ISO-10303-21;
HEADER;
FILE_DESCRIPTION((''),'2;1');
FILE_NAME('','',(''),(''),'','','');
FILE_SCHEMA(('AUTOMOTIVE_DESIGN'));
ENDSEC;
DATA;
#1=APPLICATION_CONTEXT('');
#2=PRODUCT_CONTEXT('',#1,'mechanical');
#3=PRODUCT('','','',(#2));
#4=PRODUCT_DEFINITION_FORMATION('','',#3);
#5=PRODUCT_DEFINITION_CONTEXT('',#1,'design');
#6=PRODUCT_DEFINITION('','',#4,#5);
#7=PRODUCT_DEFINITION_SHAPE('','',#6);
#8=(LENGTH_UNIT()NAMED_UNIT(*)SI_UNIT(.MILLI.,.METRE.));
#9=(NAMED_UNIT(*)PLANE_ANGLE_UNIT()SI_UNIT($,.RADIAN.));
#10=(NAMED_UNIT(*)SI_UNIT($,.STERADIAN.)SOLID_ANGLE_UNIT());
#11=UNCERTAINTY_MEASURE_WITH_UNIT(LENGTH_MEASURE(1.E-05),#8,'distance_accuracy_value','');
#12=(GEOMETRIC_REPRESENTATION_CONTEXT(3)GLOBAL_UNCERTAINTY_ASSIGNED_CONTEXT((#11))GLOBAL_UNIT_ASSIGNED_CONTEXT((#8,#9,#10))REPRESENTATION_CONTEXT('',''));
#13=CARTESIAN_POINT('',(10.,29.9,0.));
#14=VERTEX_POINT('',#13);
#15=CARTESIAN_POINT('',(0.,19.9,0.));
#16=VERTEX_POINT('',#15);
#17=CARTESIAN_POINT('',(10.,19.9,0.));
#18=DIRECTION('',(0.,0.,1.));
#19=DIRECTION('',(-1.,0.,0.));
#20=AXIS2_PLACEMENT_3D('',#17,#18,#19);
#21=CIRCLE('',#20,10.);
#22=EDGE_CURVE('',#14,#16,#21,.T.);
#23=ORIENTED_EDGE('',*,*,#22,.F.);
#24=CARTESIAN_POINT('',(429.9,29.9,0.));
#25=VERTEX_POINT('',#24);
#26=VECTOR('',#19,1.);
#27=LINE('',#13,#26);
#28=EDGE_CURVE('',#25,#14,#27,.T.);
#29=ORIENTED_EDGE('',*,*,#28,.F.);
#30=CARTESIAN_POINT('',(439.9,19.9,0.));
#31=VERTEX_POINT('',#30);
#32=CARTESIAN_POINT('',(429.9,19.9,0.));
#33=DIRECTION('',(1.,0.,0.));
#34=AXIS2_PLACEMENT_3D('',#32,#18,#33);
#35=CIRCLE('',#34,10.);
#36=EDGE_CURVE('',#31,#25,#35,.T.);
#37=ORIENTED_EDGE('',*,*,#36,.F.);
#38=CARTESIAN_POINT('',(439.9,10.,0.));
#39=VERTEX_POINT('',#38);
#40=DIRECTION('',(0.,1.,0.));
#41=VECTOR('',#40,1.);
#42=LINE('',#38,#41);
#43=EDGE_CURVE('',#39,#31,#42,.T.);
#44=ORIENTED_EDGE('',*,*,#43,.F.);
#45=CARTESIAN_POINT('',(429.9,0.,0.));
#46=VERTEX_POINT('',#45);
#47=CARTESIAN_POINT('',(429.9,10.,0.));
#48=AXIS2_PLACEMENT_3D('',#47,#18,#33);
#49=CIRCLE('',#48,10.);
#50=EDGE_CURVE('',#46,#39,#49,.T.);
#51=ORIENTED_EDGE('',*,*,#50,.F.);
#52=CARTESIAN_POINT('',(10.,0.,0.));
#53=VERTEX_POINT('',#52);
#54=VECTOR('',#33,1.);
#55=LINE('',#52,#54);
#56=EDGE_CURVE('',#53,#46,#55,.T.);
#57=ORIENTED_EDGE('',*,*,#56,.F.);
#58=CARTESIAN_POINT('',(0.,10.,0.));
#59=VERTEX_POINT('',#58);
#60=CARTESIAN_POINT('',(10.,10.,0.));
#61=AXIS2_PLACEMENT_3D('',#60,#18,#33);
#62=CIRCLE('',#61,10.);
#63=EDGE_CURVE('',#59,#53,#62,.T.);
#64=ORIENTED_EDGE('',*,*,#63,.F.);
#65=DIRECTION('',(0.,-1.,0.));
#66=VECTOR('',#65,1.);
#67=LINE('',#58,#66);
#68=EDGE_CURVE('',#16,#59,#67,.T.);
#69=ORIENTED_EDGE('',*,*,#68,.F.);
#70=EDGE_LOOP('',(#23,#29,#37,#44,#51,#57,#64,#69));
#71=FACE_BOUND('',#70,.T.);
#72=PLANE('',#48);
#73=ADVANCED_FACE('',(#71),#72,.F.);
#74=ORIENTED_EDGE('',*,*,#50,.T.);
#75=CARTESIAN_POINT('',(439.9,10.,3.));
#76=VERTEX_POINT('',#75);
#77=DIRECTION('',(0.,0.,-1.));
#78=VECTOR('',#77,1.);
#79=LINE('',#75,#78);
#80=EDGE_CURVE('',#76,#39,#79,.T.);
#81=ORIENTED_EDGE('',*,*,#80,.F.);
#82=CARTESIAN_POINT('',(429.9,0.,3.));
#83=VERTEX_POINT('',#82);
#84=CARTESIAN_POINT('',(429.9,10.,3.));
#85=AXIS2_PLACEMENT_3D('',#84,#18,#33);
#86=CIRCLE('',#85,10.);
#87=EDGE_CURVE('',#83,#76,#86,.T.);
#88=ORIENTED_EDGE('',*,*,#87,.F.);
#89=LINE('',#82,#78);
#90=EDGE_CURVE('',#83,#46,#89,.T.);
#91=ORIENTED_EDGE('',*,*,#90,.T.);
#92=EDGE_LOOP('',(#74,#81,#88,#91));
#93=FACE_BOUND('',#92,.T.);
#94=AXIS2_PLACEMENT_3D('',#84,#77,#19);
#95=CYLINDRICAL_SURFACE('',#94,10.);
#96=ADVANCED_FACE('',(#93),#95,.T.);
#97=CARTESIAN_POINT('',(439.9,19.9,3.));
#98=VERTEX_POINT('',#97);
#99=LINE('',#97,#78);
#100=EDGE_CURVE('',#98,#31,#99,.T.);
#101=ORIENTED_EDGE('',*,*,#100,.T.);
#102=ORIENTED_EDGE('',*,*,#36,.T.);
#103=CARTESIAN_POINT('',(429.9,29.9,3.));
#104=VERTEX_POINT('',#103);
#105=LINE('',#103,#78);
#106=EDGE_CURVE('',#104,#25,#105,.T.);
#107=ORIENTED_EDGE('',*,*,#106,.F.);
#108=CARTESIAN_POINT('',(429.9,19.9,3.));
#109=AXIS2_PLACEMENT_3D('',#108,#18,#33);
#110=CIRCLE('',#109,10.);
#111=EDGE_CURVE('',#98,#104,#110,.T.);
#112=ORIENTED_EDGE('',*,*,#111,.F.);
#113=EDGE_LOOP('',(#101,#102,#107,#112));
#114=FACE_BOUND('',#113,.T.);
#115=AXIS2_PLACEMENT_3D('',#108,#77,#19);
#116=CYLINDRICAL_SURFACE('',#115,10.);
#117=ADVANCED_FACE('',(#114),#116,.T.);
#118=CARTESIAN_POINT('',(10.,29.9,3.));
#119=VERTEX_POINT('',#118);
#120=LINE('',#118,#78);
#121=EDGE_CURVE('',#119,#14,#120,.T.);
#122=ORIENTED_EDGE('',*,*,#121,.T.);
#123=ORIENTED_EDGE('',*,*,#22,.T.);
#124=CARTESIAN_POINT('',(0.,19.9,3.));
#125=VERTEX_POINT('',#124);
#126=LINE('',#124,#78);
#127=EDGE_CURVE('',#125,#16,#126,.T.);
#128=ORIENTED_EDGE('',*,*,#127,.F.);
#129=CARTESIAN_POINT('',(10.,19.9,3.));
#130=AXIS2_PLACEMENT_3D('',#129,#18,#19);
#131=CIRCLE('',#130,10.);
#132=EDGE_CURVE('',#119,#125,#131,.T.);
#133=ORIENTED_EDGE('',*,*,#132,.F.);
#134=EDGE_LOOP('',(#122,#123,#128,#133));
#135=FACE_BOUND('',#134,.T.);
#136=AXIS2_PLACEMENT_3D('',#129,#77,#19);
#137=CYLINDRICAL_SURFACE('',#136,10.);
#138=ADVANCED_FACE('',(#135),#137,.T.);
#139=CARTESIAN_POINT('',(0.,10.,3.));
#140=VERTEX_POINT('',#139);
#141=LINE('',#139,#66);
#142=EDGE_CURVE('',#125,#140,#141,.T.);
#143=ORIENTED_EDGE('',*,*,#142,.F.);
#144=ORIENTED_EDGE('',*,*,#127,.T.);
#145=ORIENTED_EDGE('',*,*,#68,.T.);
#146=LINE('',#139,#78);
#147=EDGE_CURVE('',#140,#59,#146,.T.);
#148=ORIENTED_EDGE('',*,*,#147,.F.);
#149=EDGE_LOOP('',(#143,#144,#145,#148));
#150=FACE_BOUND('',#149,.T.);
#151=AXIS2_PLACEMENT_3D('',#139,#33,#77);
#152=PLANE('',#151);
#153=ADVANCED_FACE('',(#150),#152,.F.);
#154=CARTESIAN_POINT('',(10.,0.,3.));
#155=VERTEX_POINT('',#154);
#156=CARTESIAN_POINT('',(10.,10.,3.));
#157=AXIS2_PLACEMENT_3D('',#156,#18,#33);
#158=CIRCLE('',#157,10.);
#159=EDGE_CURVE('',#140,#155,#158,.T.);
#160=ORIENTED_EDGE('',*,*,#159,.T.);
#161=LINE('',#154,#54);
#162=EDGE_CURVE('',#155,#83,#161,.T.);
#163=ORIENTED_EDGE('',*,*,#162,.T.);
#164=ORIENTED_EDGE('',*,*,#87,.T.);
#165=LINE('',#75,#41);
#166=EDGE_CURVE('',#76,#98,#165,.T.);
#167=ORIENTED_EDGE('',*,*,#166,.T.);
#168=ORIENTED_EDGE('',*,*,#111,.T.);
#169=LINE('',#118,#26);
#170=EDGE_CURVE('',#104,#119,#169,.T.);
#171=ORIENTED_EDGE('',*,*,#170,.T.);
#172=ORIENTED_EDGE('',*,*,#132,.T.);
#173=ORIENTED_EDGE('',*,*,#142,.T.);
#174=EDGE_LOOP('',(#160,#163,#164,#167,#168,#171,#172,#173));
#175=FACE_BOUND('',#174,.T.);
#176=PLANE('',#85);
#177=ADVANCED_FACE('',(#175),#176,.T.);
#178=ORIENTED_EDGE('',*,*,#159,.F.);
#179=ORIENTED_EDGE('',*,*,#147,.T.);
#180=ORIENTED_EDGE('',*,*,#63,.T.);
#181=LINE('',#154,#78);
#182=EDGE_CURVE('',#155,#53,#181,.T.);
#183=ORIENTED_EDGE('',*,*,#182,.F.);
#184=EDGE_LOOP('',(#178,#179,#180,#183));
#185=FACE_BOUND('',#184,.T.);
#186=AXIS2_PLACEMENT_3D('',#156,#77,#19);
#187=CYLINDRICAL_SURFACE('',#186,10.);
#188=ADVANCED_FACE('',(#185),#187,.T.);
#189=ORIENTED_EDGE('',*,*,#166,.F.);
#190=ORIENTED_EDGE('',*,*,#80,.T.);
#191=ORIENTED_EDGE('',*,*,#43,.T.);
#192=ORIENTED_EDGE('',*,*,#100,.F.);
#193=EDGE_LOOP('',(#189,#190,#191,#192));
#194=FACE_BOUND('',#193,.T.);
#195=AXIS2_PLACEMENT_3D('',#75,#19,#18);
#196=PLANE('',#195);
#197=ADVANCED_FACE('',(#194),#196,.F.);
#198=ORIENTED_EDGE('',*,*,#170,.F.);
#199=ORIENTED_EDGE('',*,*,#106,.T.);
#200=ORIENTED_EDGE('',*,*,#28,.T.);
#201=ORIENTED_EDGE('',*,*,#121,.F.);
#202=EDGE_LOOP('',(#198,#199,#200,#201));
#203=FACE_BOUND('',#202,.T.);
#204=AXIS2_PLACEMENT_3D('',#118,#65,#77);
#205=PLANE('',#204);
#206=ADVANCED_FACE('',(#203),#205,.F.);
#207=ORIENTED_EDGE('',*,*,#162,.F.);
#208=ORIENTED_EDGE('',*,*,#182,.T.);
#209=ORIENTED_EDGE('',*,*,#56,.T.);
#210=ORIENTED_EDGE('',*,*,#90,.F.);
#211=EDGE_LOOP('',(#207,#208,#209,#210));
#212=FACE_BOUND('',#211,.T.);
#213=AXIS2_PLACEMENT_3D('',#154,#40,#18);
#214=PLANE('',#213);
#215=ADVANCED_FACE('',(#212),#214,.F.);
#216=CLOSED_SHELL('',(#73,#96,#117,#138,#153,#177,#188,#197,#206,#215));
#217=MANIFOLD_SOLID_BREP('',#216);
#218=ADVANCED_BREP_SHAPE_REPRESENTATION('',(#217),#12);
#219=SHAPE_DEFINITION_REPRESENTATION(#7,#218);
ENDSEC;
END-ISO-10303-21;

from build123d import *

# Parameters (mm, degrees)
BOSS_EXTRU_1_DEPTH = 3


with BuildPart() as part:
    # Esquisse1 → Boss.-Extru.1 (new body)
    with BuildSketch(Plane.XY):
        with BuildLine():
            Line((10, 0), (429.9, 0))
            ThreePointArc((429.9, 0), (436.971067812, 2.928932188), (439.9, 10))
            Line((439.9, 10), (439.9, 19.9))
            ThreePointArc((439.9, 19.9), (436.971067812, 26.971067812), (429.9, 29.9))
            Line((429.9, 29.9), (10, 29.9))
            ThreePointArc((10, 29.9), (2.928932188, 26.971067812), (0, 19.9))
            Line((0, 19.9), (0, 10))
            ThreePointArc((0, 10), (2.928932188, 2.928932188), (10, 0))
        make_face()
    extrude(amount=BOSS_EXTRU_1_DEPTH)


solid = part.part
